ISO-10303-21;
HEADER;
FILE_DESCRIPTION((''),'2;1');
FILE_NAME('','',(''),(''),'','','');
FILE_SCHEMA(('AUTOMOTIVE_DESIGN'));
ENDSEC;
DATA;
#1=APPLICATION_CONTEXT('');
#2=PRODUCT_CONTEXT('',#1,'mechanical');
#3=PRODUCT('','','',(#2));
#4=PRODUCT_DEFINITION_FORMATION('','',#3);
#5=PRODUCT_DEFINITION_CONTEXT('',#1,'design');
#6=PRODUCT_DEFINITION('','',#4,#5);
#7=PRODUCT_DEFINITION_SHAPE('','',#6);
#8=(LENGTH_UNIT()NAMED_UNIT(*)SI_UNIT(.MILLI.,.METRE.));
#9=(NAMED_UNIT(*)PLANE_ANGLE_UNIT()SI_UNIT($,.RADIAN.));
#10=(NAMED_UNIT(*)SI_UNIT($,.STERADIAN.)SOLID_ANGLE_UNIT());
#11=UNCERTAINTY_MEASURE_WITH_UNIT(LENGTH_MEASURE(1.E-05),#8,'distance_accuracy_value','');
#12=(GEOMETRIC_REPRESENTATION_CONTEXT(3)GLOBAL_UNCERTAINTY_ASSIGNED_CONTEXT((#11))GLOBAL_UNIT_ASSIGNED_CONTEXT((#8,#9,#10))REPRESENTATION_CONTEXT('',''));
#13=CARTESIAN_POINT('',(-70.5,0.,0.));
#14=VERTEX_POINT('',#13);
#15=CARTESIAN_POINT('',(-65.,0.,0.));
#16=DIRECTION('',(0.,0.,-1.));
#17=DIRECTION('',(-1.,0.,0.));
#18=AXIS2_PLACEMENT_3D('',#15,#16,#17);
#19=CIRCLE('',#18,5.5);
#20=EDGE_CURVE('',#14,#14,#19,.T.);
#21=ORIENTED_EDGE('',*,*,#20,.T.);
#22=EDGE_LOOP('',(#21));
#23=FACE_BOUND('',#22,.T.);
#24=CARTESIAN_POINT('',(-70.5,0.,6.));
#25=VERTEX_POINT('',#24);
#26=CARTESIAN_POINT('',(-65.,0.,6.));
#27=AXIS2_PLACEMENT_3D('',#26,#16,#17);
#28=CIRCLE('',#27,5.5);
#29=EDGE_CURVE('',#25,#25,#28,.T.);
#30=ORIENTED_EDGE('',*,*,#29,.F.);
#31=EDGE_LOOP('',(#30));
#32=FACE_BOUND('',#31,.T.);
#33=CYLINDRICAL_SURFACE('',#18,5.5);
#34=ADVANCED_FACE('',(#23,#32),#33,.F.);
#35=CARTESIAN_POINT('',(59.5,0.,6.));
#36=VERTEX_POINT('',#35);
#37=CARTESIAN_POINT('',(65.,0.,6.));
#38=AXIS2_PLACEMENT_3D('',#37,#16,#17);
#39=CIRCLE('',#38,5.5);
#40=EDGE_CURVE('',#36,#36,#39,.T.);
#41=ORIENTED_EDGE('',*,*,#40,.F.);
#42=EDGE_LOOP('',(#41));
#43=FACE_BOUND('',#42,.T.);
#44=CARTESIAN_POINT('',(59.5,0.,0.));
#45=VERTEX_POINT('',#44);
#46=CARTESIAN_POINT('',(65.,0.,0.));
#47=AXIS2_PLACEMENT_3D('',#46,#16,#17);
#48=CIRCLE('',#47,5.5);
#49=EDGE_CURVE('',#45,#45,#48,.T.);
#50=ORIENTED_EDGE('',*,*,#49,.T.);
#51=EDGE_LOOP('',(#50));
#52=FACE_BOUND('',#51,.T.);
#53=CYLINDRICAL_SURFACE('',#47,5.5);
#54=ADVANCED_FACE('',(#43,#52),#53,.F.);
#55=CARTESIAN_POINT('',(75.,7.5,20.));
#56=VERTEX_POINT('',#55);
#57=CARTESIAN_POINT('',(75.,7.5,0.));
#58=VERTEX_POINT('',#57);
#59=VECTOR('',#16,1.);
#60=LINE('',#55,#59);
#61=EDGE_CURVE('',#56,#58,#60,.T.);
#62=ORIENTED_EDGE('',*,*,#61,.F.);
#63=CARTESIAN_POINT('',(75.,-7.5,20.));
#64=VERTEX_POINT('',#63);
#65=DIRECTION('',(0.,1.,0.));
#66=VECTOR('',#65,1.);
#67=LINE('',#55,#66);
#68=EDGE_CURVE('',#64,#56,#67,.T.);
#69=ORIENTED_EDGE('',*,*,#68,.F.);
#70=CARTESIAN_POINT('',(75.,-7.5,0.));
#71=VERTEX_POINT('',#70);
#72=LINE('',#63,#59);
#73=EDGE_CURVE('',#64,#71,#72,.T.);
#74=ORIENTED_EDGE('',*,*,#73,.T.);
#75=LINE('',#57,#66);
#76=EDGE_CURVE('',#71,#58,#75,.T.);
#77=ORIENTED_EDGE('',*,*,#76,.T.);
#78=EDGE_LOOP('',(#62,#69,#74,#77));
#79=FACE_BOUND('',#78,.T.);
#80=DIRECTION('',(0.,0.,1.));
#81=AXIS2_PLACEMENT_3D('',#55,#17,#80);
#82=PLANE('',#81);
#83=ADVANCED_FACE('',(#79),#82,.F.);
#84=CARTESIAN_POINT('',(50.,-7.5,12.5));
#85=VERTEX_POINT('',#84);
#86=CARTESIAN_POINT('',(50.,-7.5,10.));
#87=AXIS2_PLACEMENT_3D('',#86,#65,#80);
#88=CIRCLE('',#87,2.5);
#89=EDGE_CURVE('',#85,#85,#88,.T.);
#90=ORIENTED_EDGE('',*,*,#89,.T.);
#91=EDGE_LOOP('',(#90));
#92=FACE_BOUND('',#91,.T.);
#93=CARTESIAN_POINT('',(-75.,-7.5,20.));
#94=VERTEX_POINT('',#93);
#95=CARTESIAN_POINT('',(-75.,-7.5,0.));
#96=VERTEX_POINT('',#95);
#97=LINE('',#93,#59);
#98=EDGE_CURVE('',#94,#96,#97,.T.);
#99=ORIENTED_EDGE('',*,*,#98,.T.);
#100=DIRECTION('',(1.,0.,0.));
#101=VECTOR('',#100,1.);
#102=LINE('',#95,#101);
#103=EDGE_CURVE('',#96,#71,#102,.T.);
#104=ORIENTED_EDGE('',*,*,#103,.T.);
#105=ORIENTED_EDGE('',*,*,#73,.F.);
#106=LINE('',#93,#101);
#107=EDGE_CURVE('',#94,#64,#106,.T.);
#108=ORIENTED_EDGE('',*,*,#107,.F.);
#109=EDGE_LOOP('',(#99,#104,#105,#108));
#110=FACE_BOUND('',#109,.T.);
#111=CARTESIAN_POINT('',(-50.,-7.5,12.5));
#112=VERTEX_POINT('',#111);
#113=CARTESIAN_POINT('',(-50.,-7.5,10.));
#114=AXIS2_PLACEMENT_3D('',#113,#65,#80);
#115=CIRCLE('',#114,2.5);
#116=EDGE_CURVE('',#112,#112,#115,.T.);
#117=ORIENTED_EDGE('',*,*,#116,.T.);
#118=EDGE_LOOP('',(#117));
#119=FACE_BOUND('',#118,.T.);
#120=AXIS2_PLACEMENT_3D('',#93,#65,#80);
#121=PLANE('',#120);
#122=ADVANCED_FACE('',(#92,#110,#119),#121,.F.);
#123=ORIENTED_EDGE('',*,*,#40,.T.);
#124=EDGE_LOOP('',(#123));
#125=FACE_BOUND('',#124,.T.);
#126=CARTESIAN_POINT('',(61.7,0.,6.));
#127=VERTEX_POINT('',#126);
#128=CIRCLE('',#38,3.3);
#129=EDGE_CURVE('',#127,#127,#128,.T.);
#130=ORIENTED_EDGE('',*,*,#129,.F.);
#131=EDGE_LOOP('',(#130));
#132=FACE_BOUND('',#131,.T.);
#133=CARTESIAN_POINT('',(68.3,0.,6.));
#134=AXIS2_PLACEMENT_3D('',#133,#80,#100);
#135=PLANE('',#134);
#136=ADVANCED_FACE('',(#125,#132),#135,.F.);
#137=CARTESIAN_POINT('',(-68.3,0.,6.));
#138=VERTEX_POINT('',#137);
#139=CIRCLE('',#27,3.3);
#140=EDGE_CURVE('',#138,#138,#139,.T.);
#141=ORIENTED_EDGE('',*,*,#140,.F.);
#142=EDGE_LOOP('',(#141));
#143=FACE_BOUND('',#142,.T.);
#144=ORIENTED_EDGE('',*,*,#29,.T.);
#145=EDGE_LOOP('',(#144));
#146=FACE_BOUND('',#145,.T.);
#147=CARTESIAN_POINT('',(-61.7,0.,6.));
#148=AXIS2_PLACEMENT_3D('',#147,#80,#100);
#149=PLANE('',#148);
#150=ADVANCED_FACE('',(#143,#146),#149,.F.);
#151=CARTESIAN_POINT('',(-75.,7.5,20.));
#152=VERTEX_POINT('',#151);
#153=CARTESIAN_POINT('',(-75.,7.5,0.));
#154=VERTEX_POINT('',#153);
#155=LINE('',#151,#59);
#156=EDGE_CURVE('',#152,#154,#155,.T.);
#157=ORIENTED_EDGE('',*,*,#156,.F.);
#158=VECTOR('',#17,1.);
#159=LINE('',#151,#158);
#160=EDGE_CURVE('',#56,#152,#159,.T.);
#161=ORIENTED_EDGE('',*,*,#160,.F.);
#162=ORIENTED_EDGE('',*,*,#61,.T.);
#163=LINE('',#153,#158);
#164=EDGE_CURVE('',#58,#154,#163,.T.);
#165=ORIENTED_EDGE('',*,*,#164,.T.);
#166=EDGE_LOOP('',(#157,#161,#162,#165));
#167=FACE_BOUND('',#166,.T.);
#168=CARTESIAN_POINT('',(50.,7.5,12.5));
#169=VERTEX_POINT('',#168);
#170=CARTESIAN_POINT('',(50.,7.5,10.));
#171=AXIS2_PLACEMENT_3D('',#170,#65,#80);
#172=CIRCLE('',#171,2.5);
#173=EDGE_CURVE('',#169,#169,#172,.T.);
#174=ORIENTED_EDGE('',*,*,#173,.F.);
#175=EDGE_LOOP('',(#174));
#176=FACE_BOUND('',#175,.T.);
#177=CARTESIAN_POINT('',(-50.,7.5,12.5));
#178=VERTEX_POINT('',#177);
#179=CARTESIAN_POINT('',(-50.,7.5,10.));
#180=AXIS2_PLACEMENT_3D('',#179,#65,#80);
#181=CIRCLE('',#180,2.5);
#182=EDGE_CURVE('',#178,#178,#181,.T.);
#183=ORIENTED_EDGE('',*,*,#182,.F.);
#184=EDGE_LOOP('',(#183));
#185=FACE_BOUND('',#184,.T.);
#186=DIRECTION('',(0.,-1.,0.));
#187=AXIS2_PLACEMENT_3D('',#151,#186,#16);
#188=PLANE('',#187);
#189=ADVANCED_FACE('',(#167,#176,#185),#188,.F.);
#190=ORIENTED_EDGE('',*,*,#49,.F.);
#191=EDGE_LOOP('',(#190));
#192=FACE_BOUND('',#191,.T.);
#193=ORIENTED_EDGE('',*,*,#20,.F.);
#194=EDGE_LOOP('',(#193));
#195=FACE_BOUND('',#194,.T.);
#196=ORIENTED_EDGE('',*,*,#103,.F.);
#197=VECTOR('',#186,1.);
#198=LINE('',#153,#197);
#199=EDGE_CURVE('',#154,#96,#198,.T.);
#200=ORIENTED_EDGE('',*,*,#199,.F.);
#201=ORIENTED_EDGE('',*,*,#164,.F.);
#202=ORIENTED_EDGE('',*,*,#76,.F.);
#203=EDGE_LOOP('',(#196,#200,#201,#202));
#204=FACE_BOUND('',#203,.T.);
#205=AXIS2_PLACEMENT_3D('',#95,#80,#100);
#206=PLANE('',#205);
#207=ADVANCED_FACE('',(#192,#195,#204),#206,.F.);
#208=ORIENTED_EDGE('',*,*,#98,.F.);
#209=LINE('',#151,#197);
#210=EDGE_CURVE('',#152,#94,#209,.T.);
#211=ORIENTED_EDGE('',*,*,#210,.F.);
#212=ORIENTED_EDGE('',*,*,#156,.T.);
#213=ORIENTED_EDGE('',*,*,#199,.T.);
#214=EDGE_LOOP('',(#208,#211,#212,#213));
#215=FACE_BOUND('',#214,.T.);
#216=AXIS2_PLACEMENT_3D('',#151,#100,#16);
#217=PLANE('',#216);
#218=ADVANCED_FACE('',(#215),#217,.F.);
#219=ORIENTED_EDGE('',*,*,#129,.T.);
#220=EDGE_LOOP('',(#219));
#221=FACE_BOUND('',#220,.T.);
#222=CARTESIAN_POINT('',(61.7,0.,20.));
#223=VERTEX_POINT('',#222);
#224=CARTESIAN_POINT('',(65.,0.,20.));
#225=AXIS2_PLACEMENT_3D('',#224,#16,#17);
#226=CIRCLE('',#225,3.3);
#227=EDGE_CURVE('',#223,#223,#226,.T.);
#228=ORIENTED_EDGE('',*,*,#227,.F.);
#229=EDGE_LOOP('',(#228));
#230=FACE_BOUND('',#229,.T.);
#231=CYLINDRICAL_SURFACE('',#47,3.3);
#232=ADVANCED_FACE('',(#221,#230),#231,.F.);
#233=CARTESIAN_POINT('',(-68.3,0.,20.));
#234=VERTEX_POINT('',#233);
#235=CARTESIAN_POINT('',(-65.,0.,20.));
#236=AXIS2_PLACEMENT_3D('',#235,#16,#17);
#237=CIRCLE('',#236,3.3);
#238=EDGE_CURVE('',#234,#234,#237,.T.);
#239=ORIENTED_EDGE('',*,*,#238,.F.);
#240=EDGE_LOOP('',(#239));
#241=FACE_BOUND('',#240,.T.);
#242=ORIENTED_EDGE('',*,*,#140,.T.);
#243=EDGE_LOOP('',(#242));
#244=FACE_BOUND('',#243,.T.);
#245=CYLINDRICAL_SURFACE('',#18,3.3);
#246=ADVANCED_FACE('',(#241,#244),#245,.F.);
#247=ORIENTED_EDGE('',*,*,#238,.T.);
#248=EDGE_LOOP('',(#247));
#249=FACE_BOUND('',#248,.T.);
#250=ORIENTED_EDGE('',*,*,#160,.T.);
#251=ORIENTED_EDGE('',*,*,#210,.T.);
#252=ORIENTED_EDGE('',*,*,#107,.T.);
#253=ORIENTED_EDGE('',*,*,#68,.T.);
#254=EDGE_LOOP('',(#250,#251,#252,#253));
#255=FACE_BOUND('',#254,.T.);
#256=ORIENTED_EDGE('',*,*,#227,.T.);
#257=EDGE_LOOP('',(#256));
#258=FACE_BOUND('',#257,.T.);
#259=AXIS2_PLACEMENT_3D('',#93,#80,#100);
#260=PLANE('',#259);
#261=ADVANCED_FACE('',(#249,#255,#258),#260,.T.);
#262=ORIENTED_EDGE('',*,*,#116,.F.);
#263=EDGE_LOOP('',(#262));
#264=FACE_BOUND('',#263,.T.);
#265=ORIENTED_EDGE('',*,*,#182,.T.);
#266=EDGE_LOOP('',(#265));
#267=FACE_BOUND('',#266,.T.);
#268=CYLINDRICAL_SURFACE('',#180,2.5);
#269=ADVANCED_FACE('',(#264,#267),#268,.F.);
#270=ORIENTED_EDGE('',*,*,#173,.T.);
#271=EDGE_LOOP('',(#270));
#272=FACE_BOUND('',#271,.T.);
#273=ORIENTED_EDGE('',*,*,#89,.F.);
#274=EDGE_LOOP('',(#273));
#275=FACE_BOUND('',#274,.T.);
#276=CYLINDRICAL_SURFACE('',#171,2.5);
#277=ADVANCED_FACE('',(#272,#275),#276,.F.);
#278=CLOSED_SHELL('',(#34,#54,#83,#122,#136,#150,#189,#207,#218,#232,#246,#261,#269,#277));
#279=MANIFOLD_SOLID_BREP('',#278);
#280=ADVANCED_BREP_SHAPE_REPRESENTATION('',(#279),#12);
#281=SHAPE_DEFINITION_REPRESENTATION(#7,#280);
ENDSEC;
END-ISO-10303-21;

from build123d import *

# Parameters (mm, degrees)
SKETCH_1_W                     = 150
SKETCH_1_H                     = 15
EXTRUDE_1_DEPTH                = 20
HOLE_WIZARD_M6_1_D             = 5
HOLE_WIZARD_M6_1_2_D           = 6.6
HOLE_WIZARD_M6_1_2_CBORE_D     = 11
HOLE_WIZARD_M6_1_2_CBORE_DEPTH = 6


with BuildPart() as part:
    # 草圖1 → 伸長1 (new body)
    with BuildSketch(Plane.XY):
        Rectangle(SKETCH_1_W, SKETCH_1_H)
    extrude(amount=EXTRUDE_1_DEPTH)

    # Hole Wizard M6 _1 (through all)
    with Locations(Plane(origin=(0, 7.5, 0), x_dir=(-1, 0, 0), z_dir=(0, 1, 0))):
        with Locations((50, 10), (-50, 10)):
            Hole(HOLE_WIZARD_M6_1_D / 2)

    # Hole Wizard M6 _1 2 (through all)
    with Locations(Plane(origin=(0, 0, 0), x_dir=(-1, 0, 0), z_dir=(0, 0, -1))):
        with Locations((65, 0), (-65, 0)):
            CounterBoreHole(HOLE_WIZARD_M6_1_2_D / 2, HOLE_WIZARD_M6_1_2_CBORE_D / 2, HOLE_WIZARD_M6_1_2_CBORE_DEPTH)


solid = part.part
